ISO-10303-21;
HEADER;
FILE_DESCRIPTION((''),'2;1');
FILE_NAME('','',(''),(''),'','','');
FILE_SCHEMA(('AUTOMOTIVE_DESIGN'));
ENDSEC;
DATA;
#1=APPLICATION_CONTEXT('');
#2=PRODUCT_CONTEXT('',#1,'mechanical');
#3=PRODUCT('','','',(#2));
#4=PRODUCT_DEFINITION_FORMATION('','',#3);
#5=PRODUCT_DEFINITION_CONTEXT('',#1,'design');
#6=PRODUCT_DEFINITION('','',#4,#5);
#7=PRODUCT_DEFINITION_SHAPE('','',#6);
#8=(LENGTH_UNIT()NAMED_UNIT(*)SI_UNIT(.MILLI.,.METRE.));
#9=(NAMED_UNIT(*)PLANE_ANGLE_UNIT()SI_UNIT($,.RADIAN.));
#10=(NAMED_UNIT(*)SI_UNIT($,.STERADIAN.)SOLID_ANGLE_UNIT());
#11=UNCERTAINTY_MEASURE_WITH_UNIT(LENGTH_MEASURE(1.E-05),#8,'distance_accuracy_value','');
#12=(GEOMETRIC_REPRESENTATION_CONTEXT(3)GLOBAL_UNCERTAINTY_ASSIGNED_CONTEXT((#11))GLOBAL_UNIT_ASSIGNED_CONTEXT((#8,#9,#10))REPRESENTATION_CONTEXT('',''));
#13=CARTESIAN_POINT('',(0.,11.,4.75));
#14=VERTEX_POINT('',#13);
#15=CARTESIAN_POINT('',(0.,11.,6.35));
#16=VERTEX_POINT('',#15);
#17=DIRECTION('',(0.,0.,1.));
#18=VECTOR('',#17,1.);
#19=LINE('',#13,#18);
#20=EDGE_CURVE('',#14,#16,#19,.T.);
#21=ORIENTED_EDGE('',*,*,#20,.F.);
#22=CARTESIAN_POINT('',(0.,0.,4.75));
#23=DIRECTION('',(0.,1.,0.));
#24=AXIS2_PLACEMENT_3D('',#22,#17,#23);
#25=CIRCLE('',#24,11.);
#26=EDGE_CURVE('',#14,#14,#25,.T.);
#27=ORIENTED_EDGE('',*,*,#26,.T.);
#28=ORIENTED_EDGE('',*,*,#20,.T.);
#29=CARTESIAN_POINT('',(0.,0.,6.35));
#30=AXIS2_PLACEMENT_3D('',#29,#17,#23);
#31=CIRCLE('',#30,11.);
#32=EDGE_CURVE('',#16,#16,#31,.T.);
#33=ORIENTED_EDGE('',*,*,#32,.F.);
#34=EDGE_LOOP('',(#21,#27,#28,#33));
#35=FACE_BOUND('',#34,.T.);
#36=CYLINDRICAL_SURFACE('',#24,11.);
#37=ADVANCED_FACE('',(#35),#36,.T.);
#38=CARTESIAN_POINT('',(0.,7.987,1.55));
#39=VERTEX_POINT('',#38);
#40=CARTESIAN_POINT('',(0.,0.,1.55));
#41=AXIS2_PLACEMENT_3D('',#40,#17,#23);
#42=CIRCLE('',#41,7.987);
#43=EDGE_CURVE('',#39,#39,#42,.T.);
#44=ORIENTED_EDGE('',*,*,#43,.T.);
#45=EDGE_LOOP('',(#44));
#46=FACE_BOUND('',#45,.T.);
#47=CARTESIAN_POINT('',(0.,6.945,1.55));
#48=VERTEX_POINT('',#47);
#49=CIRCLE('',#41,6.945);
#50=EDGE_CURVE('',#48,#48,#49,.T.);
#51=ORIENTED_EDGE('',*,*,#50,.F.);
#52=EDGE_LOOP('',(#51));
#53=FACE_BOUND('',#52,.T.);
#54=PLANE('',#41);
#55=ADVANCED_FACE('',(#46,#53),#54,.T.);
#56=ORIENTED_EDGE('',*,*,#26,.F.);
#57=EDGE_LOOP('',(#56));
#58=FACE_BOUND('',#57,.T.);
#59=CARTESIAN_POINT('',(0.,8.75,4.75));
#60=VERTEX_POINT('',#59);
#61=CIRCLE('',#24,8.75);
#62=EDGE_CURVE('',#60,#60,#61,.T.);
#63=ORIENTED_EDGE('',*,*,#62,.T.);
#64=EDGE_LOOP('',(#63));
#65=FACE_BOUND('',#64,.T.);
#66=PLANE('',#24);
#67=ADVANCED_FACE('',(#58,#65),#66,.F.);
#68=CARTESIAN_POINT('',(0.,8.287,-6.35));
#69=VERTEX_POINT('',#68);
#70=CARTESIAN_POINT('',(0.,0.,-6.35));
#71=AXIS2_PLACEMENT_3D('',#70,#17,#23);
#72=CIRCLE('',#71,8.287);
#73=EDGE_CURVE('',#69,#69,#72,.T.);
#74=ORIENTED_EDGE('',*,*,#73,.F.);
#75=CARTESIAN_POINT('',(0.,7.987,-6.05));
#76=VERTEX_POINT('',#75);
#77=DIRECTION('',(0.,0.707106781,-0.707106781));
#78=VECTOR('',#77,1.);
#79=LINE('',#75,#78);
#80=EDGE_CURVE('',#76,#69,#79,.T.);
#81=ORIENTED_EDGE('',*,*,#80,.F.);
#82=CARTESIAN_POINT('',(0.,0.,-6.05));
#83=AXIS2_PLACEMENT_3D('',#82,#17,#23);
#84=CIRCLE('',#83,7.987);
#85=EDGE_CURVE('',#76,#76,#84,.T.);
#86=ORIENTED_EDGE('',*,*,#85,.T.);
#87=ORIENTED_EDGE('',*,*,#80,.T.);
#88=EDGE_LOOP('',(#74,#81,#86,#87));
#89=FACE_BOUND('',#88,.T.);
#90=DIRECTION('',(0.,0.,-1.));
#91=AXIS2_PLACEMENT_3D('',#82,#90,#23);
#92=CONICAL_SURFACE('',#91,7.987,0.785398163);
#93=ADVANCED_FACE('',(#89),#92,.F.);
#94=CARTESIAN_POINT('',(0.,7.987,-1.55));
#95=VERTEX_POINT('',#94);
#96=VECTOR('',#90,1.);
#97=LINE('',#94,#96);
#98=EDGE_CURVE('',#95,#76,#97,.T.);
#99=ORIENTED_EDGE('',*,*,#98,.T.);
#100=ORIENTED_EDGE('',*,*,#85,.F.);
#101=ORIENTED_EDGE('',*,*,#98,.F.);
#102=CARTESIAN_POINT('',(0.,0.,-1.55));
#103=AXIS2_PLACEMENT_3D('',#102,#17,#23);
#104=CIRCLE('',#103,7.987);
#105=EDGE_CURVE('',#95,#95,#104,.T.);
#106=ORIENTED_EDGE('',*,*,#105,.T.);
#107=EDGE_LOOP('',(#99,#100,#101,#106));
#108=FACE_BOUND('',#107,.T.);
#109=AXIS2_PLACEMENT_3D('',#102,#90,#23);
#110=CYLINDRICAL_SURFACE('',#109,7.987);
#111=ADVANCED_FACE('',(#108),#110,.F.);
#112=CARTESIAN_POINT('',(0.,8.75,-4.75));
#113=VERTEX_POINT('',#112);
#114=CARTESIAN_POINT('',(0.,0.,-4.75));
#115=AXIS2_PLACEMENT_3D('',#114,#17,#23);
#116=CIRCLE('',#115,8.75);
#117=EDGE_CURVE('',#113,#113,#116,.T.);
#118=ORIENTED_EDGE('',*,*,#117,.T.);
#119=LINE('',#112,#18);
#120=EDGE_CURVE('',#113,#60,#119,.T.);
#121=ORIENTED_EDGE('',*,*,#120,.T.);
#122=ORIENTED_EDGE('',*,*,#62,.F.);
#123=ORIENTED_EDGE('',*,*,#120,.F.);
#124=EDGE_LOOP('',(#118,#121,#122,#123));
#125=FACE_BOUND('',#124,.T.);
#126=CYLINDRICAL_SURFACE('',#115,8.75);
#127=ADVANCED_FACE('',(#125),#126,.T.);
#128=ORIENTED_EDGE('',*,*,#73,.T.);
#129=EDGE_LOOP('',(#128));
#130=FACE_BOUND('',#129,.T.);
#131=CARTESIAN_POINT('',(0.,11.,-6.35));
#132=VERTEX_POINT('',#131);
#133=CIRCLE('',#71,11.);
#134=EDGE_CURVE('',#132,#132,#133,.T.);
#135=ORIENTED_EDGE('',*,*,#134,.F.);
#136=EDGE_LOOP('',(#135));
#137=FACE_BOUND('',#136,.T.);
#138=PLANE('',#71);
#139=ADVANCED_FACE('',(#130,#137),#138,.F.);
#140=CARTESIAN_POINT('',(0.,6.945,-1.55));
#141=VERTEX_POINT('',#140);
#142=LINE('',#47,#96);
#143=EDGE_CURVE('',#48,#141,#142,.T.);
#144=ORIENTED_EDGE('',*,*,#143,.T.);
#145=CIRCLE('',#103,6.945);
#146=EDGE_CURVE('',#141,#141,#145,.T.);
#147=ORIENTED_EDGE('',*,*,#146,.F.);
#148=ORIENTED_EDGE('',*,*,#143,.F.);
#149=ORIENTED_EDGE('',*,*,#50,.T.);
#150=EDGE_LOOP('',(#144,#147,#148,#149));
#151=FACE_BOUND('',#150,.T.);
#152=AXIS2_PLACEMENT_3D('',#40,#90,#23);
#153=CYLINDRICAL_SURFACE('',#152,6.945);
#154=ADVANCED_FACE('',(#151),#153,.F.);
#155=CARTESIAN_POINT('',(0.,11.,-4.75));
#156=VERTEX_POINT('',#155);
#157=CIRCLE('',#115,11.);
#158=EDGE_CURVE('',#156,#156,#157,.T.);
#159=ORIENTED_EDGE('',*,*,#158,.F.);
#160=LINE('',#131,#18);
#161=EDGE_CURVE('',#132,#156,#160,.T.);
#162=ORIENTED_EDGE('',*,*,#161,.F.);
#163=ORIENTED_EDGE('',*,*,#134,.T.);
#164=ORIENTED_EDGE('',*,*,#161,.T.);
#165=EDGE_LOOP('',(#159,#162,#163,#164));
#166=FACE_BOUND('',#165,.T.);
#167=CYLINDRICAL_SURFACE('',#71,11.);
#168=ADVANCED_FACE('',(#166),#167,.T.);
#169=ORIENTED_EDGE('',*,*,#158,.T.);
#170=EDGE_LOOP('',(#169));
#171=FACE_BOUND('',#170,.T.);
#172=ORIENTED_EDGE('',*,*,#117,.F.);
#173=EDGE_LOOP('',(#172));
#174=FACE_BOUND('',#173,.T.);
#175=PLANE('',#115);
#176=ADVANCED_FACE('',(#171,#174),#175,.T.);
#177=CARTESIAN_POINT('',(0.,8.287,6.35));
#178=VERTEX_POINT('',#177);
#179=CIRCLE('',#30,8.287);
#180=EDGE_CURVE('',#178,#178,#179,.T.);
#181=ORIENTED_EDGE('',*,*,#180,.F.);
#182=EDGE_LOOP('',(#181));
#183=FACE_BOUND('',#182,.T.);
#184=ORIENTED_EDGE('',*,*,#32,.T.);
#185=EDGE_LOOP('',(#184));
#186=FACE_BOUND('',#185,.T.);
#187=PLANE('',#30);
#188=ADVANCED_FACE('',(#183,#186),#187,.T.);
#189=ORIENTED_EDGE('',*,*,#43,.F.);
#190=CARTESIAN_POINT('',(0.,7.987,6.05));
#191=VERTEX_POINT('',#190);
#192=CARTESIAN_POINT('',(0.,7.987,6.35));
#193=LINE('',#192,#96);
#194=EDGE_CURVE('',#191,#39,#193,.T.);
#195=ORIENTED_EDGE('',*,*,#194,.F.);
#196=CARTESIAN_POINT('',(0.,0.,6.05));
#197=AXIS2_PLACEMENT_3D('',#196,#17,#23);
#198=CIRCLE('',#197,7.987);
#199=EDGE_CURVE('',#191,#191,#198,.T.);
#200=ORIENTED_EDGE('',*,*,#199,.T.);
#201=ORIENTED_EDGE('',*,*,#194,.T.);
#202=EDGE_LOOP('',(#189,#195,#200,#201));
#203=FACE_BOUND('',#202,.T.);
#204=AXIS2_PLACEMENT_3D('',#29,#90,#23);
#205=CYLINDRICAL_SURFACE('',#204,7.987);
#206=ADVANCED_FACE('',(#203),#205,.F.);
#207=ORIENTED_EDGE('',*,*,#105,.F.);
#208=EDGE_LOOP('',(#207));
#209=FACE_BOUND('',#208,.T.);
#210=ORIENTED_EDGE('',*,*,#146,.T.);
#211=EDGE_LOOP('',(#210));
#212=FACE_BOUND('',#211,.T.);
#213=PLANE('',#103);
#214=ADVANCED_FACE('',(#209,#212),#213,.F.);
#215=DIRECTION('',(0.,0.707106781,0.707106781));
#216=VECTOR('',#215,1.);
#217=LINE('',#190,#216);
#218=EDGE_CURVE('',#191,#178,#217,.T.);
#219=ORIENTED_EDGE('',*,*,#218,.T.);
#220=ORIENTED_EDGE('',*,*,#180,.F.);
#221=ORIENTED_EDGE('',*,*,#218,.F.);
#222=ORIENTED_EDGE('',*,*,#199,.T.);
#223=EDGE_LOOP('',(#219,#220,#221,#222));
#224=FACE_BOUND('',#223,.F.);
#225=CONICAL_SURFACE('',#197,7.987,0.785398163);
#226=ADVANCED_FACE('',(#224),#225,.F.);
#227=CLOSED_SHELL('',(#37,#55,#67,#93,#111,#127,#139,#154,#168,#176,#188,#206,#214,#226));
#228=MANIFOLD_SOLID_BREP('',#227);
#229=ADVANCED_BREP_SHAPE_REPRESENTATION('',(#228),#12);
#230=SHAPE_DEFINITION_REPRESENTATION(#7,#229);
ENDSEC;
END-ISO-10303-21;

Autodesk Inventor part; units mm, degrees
ref_plane "YZ Plane" through (0, 0, 0) normal (1, 0, 0) x (0, 1, 0)
ref_plane "XZ Plane" through (0, 0, 0) normal (0, 1, 0) x (-1, 0, 0)
ref_plane "XY Plane" through (0, 0, 0) normal (0, 0, 1) x (1, 0, 0)
sketch "Sketch1" plane through (0, 0, 0) normal (1, 0, 0) x (0, 1, 0)
  line L0 (7.987, -6.35) -> (11, -6.35)
  line L1 (11, -6.35) -> (11, -4.75)
  line L2 (11, -4.75) -> (8.75, -4.75)
  line L3 (8.75, -4.75) -> (8.75, 4.75)
  line L4 (8.75, 4.75) -> (11, 4.75)
  line L5 (11, 4.75) -> (11, 6.35)
  line L6 (11, 6.35) -> (7.987, 6.35)
  line L7 (7.987, 6.35) -> (7.987, 1.55)
  line L8 (7.987, 1.55) -> (6.945, 1.55)
  line L9 (6.945, 1.55) -> (6.945, -1.55)
  line L10 (6.945, -1.55) -> (7.987, -1.55)
  line L11 (7.987, -1.55) -> (7.987, -6.35)
  line L12 (0, 0) -> (0, 23.3621) construction
  line L13 (6.945, 0) -> (8.75, 0) construction
  dimension "d0" = 9.5
  dimension "d1" = 15.974
  dimension "d2" = 13.89
  dimension "d3" = 3.1
  dimension "d4" = 12.7
  dimension "d5" = 17.5
  dimension "d6" = 22
revolve "Revolution1" add sketch "Sketch1" angle 360 about axis through (0, 0, 0) along (0, 0, 1)
chamfer "Chamfer1" distance 0.3 angle 45 2 edges at (0, -7.987, 6.35) (0, -7.987, -6.35)
ref_plane "Work Plane1" through (0, 0, 0) normal (0, 0, -1) x (-1, 0, 0)
properties part number "idler pulley"
